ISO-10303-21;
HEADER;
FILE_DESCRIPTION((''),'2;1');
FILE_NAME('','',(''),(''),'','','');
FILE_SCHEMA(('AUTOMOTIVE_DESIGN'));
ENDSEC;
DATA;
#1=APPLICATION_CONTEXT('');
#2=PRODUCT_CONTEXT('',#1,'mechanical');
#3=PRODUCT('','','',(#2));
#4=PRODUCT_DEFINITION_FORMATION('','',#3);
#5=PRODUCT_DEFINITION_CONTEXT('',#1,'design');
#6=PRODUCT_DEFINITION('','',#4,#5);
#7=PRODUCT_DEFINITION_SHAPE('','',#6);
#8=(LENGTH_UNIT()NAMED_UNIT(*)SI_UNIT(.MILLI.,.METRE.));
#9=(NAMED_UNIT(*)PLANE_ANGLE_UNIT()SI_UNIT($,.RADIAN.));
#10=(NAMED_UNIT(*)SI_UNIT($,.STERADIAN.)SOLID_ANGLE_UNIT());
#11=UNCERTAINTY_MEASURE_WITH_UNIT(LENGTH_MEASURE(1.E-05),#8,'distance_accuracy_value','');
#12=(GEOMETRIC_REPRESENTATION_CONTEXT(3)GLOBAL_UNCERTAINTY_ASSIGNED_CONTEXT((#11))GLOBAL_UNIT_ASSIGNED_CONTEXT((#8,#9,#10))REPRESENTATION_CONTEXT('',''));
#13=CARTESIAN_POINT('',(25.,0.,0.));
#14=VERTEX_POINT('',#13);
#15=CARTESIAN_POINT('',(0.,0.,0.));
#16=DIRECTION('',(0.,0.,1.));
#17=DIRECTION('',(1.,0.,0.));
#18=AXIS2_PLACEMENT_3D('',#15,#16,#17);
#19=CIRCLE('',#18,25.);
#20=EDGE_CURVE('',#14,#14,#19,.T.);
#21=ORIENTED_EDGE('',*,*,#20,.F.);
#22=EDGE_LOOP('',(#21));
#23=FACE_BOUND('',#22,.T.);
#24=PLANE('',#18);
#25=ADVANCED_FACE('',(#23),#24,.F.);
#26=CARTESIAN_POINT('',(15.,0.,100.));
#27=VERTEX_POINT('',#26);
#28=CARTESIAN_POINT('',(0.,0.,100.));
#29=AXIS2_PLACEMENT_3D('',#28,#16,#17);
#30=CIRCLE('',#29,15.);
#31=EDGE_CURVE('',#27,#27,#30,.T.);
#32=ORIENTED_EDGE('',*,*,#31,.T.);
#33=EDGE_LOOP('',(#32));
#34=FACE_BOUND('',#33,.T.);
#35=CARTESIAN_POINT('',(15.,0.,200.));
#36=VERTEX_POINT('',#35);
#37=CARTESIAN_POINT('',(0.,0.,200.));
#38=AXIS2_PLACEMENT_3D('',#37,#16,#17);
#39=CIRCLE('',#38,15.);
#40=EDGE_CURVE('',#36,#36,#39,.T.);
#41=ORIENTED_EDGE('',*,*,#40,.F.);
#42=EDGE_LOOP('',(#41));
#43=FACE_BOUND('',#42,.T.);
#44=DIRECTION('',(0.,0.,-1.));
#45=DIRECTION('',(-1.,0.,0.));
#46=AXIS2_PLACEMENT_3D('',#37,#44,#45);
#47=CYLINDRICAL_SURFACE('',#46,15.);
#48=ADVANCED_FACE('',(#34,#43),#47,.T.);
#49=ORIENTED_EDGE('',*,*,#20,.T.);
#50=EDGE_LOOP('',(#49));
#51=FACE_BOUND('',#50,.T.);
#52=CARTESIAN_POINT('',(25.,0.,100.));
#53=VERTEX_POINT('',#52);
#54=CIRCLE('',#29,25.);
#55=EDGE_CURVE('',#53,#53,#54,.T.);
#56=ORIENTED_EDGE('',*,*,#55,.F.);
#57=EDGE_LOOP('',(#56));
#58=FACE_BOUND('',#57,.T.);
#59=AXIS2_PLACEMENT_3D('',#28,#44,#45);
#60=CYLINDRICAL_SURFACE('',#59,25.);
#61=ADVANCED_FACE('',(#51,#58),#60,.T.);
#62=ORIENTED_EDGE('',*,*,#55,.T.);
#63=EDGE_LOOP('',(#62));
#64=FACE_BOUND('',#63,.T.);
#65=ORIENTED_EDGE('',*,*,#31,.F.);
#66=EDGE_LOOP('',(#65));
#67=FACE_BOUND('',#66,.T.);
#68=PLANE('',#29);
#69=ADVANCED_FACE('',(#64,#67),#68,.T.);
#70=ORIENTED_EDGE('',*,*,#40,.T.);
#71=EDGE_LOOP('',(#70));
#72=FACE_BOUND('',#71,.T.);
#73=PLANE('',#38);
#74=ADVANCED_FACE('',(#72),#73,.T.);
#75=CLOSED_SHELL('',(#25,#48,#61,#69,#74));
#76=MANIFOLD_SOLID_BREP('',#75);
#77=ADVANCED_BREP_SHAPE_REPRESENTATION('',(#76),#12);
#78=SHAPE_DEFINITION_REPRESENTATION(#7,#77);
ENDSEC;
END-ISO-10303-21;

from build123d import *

# Parameters (mm, degrees)
SKIZZE1_R                       = 25
AUFSATZ_LINEAR_AUSTRAGEN1_DEPTH = 100
SKIZZE2_R                       = 15
AUFSATZ_LINEAR_AUSTRAGEN2_DEPTH = 100


with BuildPart() as part:
    # Skizze1 → Aufsatz-Linear austragen1 (new body)
    with BuildSketch(Plane.XY):
        Circle(SKIZZE1_R)
    extrude(amount=AUFSATZ_LINEAR_AUSTRAGEN1_DEPTH)

    # Skizze2 → Aufsatz-Linear austragen2 (add)
    with BuildSketch(Plane.XY.offset(100)):
        Circle(SKIZZE2_R)
    extrude(amount=AUFSATZ_LINEAR_AUSTRAGEN2_DEPTH)


solid = part.part
